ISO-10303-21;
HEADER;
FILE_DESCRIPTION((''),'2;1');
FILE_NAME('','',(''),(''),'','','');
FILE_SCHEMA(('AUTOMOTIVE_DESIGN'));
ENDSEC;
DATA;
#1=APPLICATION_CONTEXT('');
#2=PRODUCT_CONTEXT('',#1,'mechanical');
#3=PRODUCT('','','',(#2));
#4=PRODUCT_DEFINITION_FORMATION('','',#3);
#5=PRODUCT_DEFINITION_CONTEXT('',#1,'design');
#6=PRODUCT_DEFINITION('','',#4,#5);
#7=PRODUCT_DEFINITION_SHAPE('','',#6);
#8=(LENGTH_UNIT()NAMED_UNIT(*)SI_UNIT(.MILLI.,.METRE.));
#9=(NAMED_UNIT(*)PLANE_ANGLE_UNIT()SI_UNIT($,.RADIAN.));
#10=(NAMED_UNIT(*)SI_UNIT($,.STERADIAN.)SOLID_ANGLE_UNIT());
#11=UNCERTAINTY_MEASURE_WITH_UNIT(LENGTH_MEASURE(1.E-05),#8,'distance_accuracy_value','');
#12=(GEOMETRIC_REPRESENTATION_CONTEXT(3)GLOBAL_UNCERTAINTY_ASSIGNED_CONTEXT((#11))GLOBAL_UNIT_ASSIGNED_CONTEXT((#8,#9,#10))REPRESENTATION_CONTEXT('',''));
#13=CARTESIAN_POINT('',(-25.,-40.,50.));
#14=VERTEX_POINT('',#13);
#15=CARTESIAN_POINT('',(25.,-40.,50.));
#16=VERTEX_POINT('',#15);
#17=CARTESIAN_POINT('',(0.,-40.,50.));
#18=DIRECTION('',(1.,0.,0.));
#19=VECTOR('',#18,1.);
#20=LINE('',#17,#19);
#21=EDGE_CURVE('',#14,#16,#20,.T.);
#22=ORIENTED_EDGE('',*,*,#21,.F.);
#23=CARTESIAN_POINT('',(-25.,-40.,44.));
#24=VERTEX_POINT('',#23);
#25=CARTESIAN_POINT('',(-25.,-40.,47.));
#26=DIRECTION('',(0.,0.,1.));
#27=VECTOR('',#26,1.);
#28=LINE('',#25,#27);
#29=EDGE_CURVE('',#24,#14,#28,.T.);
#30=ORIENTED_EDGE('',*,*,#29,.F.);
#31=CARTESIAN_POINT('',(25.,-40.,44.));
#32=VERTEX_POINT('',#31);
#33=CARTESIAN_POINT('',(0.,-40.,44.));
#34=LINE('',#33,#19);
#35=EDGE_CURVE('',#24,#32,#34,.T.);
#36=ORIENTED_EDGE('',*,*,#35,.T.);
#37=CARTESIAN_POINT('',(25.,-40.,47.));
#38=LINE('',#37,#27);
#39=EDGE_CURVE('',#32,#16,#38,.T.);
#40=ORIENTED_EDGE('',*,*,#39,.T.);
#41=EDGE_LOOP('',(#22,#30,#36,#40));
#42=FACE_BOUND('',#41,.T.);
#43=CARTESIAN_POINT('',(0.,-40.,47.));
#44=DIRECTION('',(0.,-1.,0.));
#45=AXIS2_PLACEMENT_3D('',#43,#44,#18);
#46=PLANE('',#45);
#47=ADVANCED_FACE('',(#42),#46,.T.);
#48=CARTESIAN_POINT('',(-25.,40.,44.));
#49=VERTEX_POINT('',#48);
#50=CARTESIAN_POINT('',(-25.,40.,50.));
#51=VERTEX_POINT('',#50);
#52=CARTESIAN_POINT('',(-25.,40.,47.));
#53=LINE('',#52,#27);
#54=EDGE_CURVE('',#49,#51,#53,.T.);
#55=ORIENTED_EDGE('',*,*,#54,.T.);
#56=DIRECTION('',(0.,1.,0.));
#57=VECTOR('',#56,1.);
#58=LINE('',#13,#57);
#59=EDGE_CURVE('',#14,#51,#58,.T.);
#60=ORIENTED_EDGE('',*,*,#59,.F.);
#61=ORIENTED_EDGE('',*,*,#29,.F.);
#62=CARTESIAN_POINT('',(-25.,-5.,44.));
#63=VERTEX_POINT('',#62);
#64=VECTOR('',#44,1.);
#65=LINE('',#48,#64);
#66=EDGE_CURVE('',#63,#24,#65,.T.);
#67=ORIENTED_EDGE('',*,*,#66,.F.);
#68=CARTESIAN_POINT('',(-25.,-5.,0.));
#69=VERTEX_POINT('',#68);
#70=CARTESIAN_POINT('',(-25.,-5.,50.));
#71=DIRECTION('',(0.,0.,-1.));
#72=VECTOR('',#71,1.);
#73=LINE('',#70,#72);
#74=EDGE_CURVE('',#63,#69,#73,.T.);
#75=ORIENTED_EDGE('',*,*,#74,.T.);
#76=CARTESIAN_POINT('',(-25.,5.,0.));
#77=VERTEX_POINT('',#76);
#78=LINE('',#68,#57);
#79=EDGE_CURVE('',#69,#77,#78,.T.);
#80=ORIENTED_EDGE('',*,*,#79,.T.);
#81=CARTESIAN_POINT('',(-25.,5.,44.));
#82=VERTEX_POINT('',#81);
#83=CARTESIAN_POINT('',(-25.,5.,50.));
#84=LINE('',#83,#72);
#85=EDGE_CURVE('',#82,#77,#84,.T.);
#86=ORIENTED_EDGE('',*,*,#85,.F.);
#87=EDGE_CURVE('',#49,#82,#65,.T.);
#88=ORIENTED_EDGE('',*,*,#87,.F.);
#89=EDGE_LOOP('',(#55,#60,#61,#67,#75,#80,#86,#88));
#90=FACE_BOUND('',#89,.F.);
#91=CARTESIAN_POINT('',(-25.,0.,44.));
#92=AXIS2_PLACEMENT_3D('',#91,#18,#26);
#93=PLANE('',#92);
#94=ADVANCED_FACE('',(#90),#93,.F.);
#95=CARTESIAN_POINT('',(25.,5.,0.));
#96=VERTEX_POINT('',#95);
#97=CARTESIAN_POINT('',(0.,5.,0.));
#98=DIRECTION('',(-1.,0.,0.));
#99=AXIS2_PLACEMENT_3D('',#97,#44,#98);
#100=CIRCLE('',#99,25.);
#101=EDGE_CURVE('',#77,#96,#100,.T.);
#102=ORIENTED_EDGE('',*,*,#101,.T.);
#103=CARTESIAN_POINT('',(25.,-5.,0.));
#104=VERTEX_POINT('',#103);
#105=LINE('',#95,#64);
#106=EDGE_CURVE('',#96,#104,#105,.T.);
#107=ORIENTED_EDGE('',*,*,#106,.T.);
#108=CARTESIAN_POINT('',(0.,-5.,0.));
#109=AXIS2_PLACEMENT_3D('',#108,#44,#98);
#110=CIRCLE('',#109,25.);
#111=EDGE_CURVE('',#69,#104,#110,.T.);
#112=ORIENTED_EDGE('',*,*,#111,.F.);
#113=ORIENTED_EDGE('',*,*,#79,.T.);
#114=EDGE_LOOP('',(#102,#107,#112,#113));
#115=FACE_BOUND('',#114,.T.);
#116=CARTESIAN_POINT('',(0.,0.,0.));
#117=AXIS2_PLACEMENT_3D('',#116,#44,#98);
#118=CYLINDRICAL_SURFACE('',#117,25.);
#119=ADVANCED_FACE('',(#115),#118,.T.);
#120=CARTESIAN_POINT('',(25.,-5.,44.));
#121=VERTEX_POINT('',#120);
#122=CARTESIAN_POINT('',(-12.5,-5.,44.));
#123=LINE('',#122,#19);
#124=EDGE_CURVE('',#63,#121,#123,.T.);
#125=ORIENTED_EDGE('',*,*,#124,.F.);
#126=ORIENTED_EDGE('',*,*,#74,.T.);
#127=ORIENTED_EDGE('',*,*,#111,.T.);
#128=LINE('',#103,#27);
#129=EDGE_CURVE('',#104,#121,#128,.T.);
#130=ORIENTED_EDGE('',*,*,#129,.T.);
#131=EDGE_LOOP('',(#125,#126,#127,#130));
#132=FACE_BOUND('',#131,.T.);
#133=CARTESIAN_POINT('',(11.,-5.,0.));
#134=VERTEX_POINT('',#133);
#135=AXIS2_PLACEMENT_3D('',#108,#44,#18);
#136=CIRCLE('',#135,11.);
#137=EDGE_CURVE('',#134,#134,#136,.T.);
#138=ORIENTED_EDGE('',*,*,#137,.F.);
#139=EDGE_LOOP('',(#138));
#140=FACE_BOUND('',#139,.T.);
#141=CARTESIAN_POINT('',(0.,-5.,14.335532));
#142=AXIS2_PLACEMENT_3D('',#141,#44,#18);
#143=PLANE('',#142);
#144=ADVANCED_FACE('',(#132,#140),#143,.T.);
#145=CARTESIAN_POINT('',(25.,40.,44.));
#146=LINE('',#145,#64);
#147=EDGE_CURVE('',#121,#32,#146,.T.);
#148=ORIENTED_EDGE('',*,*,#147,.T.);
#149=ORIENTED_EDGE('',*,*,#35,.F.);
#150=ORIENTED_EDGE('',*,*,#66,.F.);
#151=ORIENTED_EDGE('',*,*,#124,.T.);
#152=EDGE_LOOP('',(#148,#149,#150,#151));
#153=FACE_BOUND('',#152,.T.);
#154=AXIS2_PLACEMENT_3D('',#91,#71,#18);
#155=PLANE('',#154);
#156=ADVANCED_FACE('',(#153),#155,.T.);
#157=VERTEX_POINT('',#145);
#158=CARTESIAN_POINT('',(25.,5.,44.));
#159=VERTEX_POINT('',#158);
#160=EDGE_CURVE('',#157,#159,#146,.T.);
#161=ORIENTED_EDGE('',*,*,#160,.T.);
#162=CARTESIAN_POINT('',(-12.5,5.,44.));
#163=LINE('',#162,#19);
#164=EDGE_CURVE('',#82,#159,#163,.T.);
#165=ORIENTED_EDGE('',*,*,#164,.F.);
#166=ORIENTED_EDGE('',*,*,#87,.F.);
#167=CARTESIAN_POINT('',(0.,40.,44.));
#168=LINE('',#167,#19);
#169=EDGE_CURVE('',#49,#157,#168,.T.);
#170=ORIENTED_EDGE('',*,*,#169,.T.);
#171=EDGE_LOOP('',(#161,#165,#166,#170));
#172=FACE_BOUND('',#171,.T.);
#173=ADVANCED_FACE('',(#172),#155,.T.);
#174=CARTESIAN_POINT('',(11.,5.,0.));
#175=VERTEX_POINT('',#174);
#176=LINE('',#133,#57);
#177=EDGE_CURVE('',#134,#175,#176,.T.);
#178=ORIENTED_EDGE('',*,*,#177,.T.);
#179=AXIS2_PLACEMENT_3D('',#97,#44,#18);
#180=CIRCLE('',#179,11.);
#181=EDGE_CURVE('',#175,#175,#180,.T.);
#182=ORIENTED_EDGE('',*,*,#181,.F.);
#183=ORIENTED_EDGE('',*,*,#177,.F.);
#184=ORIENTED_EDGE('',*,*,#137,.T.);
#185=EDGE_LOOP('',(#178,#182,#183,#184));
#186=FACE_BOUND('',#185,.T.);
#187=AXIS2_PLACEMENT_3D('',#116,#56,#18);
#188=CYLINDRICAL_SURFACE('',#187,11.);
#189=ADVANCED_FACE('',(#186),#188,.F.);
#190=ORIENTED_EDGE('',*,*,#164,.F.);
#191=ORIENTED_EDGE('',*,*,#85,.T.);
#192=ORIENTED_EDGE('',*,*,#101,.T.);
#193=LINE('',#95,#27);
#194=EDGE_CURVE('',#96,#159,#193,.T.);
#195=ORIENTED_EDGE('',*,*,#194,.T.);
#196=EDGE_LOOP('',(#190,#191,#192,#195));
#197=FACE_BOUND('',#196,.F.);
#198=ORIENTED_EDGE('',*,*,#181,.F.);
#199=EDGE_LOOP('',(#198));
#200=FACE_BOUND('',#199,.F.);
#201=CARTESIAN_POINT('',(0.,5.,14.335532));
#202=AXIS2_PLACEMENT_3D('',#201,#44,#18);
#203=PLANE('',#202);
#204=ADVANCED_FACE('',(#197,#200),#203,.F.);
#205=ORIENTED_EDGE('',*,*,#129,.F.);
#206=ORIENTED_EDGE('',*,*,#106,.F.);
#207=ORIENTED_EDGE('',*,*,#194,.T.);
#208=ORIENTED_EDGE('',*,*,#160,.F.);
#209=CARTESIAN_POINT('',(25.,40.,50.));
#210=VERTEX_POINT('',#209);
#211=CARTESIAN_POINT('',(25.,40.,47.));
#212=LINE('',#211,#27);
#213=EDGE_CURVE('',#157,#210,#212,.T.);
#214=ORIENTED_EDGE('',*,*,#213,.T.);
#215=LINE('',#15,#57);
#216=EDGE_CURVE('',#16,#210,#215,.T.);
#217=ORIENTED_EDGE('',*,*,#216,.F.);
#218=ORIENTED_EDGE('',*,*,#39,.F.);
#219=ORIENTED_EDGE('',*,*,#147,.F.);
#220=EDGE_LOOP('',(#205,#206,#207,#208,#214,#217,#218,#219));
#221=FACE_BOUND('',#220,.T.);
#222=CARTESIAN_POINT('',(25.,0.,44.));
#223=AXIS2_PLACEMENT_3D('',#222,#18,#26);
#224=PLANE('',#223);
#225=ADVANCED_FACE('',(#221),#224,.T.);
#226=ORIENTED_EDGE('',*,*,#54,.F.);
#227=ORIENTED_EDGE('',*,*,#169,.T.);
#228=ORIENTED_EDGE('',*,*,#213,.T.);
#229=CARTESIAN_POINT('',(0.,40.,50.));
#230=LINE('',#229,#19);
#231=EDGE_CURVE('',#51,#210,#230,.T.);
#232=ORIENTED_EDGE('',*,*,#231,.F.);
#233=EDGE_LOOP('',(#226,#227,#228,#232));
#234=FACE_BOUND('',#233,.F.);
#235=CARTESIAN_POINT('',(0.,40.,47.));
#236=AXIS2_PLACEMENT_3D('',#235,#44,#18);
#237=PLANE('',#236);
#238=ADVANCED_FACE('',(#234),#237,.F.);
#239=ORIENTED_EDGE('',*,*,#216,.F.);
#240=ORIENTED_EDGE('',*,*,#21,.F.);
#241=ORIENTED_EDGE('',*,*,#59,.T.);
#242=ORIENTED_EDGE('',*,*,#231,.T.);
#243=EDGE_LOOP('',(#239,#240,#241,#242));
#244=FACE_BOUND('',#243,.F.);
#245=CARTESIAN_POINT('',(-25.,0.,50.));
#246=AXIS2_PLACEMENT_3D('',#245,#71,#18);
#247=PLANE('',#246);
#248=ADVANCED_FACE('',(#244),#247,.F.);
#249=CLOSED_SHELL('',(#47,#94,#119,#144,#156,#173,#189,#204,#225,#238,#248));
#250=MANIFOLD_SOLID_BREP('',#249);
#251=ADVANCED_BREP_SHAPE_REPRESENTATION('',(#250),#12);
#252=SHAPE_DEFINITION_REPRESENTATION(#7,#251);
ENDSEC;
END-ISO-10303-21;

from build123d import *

# Parameters (mm, degrees)
F0_R     = 11
F0_W     = 50
F0_H     = 6
F1_DEPTH = 5
F2_DEPTH = 40


with BuildPart() as f1:
    # F0 (on Front) → F1 (new body, symmetric)
    with BuildSketch(Plane.XZ):
        with BuildLine():
            Line((-25, 44), (-25, 0))
            ThreePointArc((-25, 0), (0, -25), (25, 0))
            Line((25, 0), (25, 44))
            Line((25, 44), (-25, 44))
        make_face()
        Circle(F0_R, mode=Mode.SUBTRACT)
        with Locations((0, 47)):
            Rectangle(F0_W, F0_H)
    extrude(amount=F1_DEPTH, both=True)

    # F0 (on Front) → F2 (join, symmetric)
    with BuildSketch(Plane.XZ):
        with Locations((0, 47)):
            Rectangle(F0_W, F0_H)
    extrude(amount=F2_DEPTH, both=True)


solid = f1.part
